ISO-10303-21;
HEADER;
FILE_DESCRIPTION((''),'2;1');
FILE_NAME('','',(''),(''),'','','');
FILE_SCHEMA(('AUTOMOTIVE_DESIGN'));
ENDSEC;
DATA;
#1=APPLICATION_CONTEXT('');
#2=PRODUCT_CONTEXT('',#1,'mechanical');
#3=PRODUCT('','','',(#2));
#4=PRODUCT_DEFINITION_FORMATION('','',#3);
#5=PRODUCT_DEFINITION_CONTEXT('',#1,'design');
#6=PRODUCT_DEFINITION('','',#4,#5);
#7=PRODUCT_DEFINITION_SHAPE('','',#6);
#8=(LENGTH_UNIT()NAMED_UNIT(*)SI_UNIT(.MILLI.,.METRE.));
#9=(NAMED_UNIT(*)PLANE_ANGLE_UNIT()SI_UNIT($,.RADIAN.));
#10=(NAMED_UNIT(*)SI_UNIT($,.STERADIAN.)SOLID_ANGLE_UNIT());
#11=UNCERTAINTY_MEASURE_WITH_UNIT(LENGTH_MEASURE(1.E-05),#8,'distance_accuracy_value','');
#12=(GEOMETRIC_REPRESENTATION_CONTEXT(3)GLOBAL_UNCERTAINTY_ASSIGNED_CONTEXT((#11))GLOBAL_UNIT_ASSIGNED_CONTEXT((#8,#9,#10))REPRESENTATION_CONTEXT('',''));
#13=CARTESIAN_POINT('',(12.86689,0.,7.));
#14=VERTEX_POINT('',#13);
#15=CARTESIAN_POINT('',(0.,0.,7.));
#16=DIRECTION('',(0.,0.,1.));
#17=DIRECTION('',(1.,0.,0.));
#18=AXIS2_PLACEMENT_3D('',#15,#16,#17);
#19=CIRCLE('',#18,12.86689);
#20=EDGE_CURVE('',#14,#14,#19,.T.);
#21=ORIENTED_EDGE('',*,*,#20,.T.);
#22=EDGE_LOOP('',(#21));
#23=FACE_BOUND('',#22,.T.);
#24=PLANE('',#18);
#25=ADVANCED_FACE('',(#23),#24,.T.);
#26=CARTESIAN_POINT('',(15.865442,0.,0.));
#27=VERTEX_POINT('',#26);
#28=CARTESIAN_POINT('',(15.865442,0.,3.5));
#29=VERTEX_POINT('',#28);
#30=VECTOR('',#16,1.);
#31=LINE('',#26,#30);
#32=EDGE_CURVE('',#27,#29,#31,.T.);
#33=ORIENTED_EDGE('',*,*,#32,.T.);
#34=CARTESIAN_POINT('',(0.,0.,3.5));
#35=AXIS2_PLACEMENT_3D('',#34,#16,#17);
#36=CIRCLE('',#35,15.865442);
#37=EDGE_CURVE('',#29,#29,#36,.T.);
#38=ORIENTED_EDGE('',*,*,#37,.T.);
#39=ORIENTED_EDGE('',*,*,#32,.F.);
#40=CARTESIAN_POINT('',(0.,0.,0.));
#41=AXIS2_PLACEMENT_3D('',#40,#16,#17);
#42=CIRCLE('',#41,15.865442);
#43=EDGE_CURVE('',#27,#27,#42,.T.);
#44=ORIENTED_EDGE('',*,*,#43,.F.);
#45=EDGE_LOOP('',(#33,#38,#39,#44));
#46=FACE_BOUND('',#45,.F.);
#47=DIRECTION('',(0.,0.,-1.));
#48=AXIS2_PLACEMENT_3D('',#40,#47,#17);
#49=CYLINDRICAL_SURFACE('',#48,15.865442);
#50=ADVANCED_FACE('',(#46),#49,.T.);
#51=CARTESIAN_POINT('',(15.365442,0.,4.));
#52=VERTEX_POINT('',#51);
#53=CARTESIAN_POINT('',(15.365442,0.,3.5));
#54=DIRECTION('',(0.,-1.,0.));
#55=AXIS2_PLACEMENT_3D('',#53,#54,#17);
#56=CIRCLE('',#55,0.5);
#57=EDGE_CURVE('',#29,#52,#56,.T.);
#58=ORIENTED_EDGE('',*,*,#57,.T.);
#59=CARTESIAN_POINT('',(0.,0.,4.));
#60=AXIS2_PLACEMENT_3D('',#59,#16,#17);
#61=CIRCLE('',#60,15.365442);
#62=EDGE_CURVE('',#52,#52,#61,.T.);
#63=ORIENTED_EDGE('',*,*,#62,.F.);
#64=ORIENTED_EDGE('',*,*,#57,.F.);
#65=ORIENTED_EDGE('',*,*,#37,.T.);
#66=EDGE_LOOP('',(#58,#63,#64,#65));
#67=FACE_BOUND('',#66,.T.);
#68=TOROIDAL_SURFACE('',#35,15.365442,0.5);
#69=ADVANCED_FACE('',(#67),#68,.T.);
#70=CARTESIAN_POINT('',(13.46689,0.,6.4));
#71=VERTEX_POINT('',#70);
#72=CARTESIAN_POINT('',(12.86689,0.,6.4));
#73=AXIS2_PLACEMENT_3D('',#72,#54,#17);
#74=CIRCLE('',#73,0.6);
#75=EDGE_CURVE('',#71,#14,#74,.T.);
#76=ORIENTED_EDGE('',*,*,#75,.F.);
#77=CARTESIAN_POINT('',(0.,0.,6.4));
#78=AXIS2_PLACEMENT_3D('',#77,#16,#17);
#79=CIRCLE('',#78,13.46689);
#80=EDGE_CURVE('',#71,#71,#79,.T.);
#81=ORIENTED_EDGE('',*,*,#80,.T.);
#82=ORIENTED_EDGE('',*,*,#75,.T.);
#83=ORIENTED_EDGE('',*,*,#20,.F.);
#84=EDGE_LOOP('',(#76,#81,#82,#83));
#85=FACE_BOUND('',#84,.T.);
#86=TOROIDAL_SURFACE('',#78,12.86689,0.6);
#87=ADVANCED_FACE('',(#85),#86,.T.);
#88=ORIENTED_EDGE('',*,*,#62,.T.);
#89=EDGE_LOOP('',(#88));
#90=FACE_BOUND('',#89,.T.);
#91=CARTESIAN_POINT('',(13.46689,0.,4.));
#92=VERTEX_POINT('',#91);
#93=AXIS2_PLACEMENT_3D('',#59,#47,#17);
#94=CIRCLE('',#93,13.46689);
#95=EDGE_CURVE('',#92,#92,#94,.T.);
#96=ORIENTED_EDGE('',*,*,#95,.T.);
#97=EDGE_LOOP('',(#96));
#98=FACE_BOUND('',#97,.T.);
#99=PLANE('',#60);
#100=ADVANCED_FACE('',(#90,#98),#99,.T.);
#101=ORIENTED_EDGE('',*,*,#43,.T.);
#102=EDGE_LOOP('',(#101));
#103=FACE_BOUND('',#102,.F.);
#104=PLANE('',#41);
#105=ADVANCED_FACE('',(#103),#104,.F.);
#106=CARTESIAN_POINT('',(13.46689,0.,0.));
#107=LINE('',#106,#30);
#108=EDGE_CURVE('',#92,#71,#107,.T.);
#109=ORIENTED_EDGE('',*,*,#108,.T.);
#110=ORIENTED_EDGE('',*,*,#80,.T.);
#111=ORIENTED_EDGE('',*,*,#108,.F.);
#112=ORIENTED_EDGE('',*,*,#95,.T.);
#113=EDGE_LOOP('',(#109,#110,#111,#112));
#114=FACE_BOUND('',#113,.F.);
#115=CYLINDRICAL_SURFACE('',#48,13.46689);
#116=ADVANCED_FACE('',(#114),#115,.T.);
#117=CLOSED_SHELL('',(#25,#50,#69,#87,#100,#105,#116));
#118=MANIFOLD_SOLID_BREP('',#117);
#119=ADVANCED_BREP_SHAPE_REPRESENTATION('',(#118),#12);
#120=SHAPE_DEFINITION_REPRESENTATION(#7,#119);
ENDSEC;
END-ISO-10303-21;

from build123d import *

# Parameters (mm, degrees)
F0_R     = 13.46689
F1_DEPTH = 7
F2_R     = 0.6
F3_R     = 15.865442
F4_DEPTH = 4
F5_R     = 0.5


with BuildPart() as f1:
    # F0 (on Top) → F1 (new body)
    with BuildSketch(Plane.XY):
        Circle(F0_R)
    extrude(amount=F1_DEPTH)

    # F2
    f2_edges = [f1.edges().sort_by_distance(p)[0] for p in [
        (-13.46689, 0, 7),
    ]]
    fillet(f2_edges, radius=F2_R)

    # F3 (on Top) → F4 (join)
    with BuildSketch(Plane.XY):
        Circle(F3_R)
    extrude(amount=F4_DEPTH)

    # F5
    f5_edges = [f1.edges().sort_by_distance(p)[0] for p in [
        (-15.865442, 0, 4),
    ]]
    fillet(f5_edges, radius=F5_R)


solid = f1.part
